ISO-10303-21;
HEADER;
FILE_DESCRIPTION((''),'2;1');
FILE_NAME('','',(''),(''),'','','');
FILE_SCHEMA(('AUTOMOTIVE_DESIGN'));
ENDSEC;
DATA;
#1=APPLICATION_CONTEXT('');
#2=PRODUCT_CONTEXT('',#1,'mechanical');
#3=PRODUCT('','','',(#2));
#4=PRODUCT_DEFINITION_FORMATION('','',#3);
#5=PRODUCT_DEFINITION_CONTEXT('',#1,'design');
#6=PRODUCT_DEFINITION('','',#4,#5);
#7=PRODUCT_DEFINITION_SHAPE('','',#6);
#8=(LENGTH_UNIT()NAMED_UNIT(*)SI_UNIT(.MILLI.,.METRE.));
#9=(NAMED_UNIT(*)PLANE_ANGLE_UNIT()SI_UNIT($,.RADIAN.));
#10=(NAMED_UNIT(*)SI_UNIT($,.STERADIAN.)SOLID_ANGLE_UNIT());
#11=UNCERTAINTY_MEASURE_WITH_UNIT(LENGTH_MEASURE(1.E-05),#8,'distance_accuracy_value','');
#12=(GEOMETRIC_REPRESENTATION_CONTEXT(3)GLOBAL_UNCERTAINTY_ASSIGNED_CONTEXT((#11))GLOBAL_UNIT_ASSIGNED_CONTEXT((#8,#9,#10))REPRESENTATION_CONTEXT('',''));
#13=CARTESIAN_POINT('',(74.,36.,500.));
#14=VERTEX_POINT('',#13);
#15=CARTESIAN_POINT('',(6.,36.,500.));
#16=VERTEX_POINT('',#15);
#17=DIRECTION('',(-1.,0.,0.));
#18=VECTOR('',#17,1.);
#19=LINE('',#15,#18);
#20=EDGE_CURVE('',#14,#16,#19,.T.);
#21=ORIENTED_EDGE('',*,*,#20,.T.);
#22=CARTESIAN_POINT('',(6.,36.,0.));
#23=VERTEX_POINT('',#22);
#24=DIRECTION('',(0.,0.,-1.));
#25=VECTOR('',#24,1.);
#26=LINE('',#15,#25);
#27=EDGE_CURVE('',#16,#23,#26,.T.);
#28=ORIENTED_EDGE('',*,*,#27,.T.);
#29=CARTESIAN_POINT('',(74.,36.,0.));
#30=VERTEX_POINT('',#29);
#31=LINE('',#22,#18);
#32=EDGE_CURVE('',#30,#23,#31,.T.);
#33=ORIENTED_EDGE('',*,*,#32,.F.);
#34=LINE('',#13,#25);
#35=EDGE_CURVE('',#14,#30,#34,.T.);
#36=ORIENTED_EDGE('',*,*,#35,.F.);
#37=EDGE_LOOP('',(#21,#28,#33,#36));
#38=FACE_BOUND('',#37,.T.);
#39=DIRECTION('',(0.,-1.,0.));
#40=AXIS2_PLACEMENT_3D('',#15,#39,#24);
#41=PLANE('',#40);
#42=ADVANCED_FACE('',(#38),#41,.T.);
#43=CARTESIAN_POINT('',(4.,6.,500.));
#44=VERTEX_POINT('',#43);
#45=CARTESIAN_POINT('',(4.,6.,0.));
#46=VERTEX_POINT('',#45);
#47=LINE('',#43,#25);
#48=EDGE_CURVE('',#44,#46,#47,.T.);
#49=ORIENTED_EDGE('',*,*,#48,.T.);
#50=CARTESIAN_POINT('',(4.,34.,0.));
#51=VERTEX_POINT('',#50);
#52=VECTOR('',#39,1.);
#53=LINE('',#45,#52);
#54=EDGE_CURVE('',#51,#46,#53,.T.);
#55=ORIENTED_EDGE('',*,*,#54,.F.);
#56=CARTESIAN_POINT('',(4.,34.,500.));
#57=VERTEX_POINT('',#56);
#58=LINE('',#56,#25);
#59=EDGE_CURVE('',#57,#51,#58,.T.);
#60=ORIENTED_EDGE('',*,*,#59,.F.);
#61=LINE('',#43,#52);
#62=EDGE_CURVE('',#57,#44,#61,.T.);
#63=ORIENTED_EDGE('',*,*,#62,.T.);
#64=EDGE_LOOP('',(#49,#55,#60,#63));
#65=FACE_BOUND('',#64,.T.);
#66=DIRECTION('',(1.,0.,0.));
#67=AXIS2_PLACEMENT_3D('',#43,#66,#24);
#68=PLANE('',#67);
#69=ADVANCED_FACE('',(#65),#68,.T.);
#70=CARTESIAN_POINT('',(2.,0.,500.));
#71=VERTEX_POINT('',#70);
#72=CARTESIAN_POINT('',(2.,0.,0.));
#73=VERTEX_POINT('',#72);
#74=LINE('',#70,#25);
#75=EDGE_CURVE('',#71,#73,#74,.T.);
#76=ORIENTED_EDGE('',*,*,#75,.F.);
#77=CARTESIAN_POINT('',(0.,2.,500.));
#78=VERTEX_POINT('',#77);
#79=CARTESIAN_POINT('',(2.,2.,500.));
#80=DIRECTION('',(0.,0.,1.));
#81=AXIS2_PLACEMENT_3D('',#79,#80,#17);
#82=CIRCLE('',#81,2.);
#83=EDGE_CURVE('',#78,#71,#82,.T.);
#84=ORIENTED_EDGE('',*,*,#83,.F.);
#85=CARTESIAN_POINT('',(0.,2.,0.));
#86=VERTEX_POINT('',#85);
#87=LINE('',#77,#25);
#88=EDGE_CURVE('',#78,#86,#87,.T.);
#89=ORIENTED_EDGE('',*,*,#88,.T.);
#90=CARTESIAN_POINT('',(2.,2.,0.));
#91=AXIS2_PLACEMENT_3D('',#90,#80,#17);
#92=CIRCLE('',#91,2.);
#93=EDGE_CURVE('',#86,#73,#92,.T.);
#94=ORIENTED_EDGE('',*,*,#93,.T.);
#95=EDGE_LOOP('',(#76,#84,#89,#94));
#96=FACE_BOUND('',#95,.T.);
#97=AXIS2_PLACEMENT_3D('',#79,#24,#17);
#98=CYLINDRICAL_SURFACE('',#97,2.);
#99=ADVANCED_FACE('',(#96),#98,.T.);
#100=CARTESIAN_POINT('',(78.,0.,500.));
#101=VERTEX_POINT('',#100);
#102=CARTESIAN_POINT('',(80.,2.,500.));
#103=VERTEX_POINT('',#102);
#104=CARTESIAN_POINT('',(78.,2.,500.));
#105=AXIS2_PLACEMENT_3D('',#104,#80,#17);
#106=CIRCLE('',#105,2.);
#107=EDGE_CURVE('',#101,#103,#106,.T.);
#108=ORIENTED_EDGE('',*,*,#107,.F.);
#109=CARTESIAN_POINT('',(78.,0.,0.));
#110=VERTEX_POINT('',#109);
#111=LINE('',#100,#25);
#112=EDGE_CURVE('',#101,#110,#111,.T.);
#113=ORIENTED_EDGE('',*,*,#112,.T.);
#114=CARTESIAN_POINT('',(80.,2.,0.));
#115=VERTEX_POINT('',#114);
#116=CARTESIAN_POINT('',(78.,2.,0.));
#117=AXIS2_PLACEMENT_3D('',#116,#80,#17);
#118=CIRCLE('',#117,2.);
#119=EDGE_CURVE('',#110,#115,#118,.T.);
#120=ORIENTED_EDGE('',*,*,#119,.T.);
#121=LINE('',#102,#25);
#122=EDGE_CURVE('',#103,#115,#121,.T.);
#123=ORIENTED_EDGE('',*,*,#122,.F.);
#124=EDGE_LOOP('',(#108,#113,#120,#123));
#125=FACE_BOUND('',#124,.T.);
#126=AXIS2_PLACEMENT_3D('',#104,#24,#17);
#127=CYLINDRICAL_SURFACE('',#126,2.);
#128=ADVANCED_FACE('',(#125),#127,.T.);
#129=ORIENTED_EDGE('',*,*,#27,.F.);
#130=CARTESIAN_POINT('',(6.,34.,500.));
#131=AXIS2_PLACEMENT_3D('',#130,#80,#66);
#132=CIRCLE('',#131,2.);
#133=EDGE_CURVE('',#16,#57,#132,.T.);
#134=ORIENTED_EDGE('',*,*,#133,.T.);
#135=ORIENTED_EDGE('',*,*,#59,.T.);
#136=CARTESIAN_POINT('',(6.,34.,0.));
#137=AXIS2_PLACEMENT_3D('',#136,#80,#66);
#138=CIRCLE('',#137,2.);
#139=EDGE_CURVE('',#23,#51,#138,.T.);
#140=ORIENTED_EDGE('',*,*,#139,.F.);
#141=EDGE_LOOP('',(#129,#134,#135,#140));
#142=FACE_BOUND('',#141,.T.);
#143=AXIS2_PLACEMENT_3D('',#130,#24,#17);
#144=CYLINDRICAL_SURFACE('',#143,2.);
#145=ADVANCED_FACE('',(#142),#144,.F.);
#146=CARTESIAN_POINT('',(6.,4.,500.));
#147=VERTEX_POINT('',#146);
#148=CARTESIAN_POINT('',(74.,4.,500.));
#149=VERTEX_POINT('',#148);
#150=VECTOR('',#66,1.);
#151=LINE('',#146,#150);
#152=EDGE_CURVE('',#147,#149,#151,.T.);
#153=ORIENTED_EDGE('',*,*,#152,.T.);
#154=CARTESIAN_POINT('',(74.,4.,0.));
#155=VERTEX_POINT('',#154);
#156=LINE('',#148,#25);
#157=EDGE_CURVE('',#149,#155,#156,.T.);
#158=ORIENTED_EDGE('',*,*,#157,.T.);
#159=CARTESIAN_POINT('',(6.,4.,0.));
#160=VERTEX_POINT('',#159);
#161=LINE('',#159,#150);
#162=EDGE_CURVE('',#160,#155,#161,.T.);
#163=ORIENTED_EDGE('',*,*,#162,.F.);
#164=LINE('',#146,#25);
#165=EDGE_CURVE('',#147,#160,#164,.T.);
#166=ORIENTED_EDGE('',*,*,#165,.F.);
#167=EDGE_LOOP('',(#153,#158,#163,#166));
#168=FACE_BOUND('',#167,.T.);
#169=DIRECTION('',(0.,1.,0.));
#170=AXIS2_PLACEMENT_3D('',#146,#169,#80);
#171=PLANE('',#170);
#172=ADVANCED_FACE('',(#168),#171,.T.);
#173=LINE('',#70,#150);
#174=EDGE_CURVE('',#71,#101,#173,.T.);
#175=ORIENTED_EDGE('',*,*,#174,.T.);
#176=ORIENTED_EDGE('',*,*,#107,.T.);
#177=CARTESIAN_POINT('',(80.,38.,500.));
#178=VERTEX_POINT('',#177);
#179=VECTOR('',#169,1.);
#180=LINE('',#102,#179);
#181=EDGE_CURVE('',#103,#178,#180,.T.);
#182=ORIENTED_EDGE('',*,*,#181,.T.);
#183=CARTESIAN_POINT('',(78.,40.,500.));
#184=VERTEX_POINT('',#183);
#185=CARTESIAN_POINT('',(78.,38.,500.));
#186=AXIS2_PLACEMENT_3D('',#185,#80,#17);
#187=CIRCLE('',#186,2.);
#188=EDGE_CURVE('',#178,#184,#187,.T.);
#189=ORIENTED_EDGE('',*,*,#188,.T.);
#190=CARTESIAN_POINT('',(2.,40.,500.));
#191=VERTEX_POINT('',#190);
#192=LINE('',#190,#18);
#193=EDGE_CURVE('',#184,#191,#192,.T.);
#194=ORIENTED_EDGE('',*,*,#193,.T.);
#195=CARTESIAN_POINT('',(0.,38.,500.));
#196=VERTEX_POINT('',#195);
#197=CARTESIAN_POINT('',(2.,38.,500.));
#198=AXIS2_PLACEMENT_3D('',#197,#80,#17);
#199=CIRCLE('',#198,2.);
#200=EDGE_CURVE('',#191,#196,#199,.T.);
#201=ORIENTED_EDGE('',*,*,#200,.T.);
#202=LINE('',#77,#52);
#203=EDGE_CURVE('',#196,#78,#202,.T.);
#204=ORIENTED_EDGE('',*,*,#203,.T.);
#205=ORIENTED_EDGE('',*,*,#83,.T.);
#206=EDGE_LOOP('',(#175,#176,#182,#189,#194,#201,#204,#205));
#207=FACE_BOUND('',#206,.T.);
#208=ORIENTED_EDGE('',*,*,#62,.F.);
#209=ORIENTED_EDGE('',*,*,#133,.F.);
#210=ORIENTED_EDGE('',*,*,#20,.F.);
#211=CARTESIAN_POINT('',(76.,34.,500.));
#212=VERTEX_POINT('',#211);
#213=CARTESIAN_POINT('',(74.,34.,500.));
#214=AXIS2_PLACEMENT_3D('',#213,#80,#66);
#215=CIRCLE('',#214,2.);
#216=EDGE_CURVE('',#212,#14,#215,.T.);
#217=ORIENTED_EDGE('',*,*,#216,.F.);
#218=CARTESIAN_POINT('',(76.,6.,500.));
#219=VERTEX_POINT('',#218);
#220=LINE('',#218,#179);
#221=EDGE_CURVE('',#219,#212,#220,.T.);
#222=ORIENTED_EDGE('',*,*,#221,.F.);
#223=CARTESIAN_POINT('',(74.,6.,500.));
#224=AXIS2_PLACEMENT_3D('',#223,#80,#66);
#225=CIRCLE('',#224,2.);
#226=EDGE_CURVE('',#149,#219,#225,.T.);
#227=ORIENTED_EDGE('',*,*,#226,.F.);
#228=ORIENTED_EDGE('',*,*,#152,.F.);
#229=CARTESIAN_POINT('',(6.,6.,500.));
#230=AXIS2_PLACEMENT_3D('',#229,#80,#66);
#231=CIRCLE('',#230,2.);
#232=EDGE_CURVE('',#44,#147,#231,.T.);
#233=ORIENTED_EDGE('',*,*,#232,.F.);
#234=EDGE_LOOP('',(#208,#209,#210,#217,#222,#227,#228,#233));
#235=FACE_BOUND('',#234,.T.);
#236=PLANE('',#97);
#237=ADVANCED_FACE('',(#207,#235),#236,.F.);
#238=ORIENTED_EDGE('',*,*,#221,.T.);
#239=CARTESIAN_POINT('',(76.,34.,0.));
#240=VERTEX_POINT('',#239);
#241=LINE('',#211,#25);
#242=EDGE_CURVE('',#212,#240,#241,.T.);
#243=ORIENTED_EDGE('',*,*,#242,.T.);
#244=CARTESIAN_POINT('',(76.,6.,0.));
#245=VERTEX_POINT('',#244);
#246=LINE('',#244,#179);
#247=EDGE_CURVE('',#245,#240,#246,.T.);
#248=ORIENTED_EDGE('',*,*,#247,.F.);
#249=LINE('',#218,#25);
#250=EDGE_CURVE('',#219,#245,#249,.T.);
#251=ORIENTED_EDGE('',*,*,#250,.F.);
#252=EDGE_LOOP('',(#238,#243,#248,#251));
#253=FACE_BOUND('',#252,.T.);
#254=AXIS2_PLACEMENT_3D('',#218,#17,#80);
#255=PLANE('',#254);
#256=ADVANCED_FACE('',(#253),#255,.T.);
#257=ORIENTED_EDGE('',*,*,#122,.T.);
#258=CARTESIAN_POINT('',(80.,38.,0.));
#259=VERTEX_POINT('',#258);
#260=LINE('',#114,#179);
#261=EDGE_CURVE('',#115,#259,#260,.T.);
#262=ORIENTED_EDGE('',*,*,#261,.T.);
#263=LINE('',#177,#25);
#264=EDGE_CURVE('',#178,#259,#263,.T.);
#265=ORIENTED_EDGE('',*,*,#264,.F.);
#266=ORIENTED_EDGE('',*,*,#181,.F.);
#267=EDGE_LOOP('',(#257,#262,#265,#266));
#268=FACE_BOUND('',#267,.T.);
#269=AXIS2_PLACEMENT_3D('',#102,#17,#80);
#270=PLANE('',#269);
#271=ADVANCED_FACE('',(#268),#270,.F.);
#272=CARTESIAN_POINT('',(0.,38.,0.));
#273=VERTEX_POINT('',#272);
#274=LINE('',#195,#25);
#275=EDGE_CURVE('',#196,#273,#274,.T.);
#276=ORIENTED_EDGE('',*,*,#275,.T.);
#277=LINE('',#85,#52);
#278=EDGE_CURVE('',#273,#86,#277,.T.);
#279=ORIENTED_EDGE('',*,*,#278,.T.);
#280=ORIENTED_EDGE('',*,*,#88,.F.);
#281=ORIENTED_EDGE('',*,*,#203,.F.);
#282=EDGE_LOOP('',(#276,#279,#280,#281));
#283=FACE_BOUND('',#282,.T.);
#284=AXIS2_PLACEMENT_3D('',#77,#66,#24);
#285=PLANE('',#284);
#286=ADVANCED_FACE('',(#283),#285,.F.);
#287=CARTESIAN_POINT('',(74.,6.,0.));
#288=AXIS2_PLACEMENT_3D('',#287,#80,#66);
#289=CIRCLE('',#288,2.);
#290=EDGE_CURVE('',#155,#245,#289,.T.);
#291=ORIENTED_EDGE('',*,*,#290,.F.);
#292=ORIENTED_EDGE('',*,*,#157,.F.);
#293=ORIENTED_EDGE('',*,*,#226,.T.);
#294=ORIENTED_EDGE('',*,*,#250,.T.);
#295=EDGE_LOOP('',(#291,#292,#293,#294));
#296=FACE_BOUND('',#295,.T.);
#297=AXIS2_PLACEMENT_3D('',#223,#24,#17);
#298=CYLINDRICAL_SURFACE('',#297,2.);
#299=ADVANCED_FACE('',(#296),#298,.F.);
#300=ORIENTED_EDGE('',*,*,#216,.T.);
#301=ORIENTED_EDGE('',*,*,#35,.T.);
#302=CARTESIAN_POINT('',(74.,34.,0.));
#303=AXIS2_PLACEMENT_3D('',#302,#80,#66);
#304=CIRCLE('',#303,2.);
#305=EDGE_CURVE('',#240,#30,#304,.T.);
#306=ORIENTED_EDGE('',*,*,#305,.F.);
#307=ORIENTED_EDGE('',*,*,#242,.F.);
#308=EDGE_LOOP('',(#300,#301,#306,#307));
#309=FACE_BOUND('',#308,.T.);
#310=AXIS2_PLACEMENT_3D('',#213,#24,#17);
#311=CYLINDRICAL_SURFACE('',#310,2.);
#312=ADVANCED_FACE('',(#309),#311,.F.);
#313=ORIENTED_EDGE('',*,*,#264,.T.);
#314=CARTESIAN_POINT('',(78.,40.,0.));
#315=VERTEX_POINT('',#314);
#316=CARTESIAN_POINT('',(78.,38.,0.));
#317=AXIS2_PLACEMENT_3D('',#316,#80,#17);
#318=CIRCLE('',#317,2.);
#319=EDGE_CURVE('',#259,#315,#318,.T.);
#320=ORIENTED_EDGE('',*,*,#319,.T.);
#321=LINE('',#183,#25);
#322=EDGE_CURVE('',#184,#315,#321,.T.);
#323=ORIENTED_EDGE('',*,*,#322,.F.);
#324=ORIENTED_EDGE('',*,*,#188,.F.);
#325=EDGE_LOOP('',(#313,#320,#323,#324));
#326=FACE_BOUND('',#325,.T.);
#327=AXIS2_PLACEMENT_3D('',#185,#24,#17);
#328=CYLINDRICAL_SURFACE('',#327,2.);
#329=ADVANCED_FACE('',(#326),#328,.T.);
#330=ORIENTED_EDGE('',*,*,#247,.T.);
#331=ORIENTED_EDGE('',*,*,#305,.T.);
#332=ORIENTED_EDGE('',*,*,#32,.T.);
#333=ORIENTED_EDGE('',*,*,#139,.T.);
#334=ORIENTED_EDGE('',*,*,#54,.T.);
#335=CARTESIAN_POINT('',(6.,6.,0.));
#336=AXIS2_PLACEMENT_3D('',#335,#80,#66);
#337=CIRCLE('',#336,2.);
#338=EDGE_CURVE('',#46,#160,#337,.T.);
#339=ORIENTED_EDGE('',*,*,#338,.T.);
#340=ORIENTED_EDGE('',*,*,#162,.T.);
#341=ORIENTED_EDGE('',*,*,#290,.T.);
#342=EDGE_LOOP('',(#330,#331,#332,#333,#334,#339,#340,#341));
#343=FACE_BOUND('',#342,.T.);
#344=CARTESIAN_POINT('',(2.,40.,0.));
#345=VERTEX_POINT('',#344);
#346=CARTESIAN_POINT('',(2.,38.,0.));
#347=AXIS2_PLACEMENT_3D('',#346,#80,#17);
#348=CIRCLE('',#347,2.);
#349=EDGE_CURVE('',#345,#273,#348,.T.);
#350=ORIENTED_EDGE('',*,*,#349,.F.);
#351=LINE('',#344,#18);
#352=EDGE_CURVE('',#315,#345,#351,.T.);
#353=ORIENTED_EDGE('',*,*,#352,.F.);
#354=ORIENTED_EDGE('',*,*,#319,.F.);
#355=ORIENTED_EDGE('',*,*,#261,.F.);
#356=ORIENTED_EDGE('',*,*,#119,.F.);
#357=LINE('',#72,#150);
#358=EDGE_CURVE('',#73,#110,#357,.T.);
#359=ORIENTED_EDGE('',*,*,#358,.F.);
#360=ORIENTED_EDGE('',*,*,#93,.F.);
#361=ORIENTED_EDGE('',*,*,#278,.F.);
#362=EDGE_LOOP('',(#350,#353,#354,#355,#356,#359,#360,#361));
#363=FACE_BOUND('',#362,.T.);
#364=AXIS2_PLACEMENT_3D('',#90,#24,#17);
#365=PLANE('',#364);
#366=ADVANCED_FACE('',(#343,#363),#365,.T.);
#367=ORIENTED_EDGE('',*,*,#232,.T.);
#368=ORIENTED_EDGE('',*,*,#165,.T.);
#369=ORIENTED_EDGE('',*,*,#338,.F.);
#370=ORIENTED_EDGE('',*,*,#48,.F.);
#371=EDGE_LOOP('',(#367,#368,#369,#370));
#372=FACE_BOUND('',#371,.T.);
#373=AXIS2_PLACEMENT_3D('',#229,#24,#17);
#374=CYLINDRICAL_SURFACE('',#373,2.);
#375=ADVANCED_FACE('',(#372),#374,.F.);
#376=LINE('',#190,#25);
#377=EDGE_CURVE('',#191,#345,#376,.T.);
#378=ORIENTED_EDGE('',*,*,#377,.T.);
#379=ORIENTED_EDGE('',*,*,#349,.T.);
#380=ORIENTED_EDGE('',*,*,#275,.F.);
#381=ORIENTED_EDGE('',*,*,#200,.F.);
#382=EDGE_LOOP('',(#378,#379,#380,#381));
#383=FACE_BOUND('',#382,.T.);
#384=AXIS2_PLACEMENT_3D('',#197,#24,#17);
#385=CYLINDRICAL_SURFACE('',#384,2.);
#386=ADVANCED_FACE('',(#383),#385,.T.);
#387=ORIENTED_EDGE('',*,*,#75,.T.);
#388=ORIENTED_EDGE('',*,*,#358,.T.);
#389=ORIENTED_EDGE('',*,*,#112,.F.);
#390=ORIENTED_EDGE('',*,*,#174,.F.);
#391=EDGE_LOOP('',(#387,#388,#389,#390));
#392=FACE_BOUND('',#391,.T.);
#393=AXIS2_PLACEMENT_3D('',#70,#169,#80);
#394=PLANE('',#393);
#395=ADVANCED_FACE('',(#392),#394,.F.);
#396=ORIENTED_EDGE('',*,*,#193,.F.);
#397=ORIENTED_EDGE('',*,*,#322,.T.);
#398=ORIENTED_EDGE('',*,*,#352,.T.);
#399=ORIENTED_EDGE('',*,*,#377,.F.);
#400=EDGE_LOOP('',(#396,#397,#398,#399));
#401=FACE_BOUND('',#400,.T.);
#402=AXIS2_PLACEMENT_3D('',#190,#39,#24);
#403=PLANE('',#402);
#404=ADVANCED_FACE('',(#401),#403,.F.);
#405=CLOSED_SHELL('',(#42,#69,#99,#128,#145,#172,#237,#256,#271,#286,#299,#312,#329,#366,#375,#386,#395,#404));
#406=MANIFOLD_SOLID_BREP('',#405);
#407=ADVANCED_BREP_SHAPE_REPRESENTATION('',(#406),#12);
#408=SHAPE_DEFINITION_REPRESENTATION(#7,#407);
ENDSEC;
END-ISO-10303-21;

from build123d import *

# Parameters (mm, degrees)
BOSS_EXTRU_1_DEPTH = 500


with BuildPart() as part:
    # Esquisse2 → Boss.-Extru.1 (new body)
    with BuildSketch(Plane.XY):
        with BuildLine():
            Line((2, 0), (78, 0))
            ThreePointArc((78, 0), (79.414213562, 0.585786438), (80, 2))
            Line((80, 2), (80, 38))
            ThreePointArc((80, 38), (79.414213562, 39.414213562), (78, 40))
            Line((78, 40), (2, 40))
            ThreePointArc((2, 40), (0.585786438, 39.414213562), (0, 38))
            Line((0, 38), (0, 2))
            ThreePointArc((0, 2), (0.585786438, 0.585786438), (2, 0))
        make_face()
        with BuildLine():
            Line((6, 4), (74, 4))
            ThreePointArc((74, 4), (75.414213562, 4.585786438), (76, 6))
            Line((76, 6), (76, 34))
            ThreePointArc((76, 34), (75.414213562, 35.414213562), (74, 36))
            Line((74, 36), (6, 36))
            ThreePointArc((6, 36), (4.585786438, 35.414213562), (4, 34))
            Line((4, 34), (4, 6))
            ThreePointArc((4, 6), (4.585786438, 4.585786438), (6, 4))
        make_face(mode=Mode.SUBTRACT)
    extrude(amount=BOSS_EXTRU_1_DEPTH)


solid = part.part
